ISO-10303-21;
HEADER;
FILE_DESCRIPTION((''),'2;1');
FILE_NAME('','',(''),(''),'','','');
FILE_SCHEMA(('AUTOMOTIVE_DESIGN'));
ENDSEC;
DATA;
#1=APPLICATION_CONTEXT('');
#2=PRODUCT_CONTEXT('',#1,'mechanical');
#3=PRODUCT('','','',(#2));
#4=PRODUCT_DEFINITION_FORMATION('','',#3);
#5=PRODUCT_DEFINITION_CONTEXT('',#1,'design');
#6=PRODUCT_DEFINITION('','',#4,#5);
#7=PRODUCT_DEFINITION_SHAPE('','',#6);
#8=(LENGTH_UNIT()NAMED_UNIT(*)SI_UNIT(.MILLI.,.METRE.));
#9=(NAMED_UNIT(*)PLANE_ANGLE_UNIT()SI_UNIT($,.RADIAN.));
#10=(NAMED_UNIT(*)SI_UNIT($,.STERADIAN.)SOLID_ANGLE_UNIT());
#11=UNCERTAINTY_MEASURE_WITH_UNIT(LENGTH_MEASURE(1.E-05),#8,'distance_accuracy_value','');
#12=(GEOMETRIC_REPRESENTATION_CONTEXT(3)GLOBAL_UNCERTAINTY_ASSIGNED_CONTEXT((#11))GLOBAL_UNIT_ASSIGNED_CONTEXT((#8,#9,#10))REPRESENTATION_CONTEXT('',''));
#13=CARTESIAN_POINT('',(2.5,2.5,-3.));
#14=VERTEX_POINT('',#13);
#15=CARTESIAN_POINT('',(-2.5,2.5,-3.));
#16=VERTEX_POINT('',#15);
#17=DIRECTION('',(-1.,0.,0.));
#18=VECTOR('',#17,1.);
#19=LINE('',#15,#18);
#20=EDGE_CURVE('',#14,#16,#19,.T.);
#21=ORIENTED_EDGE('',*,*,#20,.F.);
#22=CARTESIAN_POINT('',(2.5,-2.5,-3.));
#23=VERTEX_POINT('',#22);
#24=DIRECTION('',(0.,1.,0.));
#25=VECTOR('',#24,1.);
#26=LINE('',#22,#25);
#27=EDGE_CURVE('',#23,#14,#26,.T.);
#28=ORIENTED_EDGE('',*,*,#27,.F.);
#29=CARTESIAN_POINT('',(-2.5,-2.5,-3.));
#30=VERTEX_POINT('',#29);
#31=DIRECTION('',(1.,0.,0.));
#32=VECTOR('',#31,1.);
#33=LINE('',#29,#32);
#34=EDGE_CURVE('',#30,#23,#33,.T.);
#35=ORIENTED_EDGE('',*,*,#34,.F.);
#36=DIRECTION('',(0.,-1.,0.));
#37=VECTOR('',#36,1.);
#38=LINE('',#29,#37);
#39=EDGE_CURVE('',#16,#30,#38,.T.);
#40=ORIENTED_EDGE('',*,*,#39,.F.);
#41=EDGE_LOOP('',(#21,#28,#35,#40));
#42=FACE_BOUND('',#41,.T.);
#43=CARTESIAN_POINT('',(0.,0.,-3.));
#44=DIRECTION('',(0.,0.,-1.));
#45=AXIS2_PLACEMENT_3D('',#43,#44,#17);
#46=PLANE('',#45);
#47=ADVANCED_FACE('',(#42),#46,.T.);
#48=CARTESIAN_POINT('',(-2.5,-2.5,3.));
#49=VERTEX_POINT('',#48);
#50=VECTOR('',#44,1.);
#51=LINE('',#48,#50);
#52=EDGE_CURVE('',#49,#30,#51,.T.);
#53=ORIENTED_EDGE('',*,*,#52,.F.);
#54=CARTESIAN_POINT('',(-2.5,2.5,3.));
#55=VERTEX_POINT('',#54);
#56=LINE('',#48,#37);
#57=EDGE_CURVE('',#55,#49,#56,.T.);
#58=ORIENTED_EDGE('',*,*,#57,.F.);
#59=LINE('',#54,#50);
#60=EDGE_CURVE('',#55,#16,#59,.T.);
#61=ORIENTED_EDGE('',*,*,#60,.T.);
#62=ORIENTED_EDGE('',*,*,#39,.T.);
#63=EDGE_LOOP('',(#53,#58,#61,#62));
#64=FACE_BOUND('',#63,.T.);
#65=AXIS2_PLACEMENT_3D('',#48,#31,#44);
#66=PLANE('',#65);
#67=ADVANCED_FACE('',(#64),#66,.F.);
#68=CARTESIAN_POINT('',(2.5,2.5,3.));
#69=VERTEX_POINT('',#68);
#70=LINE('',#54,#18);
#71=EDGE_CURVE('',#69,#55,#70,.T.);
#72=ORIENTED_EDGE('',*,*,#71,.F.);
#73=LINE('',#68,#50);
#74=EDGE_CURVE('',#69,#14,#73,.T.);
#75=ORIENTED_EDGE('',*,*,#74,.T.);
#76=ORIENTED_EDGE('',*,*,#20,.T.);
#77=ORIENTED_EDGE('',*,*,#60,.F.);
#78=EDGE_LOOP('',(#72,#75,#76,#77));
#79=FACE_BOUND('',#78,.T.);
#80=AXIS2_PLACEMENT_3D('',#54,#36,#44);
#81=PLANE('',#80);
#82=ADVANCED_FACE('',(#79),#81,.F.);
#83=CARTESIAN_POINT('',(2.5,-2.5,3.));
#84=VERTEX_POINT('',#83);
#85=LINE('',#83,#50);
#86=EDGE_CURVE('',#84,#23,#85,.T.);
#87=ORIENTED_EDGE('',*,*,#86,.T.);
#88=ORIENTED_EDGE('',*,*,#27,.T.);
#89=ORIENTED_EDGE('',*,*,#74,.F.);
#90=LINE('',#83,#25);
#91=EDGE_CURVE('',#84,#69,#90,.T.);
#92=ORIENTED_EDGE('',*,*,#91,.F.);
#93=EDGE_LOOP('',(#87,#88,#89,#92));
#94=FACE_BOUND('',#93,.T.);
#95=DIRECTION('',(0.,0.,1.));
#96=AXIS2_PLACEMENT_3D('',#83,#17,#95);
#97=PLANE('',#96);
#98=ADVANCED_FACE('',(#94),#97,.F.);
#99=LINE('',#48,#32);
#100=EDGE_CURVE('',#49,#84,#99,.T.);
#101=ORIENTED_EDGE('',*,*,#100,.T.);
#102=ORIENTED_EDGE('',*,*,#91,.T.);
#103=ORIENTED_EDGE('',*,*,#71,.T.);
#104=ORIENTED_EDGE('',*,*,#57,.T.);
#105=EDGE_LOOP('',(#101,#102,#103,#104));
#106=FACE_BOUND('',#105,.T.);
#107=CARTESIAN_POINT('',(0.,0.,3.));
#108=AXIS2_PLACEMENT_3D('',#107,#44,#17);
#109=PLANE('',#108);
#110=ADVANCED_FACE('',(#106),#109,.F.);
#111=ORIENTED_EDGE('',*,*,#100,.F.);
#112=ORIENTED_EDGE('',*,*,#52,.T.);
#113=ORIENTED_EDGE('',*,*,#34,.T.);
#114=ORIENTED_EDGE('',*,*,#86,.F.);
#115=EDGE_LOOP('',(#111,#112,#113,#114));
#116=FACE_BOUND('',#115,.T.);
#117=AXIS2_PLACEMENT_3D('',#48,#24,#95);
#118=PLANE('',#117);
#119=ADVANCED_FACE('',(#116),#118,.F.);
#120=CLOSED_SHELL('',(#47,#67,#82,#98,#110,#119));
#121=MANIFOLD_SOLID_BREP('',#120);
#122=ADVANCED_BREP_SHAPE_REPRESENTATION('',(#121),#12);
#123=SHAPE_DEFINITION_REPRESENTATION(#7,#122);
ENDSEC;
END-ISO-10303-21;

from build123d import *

# Parameters (mm, degrees)
SKETCH1_W           = 5
SKETCH1_H           = 5
BOSS_EXTRUDE1_DEPTH = 3


with BuildPart() as part:
    # Sketch1 → Boss-Extrude1 (new body, symmetric)
    with BuildSketch(Plane.XY):
        Rectangle(SKETCH1_W, SKETCH1_H)
    extrude(amount=BOSS_EXTRUDE1_DEPTH, both=True)


solid = part.part
